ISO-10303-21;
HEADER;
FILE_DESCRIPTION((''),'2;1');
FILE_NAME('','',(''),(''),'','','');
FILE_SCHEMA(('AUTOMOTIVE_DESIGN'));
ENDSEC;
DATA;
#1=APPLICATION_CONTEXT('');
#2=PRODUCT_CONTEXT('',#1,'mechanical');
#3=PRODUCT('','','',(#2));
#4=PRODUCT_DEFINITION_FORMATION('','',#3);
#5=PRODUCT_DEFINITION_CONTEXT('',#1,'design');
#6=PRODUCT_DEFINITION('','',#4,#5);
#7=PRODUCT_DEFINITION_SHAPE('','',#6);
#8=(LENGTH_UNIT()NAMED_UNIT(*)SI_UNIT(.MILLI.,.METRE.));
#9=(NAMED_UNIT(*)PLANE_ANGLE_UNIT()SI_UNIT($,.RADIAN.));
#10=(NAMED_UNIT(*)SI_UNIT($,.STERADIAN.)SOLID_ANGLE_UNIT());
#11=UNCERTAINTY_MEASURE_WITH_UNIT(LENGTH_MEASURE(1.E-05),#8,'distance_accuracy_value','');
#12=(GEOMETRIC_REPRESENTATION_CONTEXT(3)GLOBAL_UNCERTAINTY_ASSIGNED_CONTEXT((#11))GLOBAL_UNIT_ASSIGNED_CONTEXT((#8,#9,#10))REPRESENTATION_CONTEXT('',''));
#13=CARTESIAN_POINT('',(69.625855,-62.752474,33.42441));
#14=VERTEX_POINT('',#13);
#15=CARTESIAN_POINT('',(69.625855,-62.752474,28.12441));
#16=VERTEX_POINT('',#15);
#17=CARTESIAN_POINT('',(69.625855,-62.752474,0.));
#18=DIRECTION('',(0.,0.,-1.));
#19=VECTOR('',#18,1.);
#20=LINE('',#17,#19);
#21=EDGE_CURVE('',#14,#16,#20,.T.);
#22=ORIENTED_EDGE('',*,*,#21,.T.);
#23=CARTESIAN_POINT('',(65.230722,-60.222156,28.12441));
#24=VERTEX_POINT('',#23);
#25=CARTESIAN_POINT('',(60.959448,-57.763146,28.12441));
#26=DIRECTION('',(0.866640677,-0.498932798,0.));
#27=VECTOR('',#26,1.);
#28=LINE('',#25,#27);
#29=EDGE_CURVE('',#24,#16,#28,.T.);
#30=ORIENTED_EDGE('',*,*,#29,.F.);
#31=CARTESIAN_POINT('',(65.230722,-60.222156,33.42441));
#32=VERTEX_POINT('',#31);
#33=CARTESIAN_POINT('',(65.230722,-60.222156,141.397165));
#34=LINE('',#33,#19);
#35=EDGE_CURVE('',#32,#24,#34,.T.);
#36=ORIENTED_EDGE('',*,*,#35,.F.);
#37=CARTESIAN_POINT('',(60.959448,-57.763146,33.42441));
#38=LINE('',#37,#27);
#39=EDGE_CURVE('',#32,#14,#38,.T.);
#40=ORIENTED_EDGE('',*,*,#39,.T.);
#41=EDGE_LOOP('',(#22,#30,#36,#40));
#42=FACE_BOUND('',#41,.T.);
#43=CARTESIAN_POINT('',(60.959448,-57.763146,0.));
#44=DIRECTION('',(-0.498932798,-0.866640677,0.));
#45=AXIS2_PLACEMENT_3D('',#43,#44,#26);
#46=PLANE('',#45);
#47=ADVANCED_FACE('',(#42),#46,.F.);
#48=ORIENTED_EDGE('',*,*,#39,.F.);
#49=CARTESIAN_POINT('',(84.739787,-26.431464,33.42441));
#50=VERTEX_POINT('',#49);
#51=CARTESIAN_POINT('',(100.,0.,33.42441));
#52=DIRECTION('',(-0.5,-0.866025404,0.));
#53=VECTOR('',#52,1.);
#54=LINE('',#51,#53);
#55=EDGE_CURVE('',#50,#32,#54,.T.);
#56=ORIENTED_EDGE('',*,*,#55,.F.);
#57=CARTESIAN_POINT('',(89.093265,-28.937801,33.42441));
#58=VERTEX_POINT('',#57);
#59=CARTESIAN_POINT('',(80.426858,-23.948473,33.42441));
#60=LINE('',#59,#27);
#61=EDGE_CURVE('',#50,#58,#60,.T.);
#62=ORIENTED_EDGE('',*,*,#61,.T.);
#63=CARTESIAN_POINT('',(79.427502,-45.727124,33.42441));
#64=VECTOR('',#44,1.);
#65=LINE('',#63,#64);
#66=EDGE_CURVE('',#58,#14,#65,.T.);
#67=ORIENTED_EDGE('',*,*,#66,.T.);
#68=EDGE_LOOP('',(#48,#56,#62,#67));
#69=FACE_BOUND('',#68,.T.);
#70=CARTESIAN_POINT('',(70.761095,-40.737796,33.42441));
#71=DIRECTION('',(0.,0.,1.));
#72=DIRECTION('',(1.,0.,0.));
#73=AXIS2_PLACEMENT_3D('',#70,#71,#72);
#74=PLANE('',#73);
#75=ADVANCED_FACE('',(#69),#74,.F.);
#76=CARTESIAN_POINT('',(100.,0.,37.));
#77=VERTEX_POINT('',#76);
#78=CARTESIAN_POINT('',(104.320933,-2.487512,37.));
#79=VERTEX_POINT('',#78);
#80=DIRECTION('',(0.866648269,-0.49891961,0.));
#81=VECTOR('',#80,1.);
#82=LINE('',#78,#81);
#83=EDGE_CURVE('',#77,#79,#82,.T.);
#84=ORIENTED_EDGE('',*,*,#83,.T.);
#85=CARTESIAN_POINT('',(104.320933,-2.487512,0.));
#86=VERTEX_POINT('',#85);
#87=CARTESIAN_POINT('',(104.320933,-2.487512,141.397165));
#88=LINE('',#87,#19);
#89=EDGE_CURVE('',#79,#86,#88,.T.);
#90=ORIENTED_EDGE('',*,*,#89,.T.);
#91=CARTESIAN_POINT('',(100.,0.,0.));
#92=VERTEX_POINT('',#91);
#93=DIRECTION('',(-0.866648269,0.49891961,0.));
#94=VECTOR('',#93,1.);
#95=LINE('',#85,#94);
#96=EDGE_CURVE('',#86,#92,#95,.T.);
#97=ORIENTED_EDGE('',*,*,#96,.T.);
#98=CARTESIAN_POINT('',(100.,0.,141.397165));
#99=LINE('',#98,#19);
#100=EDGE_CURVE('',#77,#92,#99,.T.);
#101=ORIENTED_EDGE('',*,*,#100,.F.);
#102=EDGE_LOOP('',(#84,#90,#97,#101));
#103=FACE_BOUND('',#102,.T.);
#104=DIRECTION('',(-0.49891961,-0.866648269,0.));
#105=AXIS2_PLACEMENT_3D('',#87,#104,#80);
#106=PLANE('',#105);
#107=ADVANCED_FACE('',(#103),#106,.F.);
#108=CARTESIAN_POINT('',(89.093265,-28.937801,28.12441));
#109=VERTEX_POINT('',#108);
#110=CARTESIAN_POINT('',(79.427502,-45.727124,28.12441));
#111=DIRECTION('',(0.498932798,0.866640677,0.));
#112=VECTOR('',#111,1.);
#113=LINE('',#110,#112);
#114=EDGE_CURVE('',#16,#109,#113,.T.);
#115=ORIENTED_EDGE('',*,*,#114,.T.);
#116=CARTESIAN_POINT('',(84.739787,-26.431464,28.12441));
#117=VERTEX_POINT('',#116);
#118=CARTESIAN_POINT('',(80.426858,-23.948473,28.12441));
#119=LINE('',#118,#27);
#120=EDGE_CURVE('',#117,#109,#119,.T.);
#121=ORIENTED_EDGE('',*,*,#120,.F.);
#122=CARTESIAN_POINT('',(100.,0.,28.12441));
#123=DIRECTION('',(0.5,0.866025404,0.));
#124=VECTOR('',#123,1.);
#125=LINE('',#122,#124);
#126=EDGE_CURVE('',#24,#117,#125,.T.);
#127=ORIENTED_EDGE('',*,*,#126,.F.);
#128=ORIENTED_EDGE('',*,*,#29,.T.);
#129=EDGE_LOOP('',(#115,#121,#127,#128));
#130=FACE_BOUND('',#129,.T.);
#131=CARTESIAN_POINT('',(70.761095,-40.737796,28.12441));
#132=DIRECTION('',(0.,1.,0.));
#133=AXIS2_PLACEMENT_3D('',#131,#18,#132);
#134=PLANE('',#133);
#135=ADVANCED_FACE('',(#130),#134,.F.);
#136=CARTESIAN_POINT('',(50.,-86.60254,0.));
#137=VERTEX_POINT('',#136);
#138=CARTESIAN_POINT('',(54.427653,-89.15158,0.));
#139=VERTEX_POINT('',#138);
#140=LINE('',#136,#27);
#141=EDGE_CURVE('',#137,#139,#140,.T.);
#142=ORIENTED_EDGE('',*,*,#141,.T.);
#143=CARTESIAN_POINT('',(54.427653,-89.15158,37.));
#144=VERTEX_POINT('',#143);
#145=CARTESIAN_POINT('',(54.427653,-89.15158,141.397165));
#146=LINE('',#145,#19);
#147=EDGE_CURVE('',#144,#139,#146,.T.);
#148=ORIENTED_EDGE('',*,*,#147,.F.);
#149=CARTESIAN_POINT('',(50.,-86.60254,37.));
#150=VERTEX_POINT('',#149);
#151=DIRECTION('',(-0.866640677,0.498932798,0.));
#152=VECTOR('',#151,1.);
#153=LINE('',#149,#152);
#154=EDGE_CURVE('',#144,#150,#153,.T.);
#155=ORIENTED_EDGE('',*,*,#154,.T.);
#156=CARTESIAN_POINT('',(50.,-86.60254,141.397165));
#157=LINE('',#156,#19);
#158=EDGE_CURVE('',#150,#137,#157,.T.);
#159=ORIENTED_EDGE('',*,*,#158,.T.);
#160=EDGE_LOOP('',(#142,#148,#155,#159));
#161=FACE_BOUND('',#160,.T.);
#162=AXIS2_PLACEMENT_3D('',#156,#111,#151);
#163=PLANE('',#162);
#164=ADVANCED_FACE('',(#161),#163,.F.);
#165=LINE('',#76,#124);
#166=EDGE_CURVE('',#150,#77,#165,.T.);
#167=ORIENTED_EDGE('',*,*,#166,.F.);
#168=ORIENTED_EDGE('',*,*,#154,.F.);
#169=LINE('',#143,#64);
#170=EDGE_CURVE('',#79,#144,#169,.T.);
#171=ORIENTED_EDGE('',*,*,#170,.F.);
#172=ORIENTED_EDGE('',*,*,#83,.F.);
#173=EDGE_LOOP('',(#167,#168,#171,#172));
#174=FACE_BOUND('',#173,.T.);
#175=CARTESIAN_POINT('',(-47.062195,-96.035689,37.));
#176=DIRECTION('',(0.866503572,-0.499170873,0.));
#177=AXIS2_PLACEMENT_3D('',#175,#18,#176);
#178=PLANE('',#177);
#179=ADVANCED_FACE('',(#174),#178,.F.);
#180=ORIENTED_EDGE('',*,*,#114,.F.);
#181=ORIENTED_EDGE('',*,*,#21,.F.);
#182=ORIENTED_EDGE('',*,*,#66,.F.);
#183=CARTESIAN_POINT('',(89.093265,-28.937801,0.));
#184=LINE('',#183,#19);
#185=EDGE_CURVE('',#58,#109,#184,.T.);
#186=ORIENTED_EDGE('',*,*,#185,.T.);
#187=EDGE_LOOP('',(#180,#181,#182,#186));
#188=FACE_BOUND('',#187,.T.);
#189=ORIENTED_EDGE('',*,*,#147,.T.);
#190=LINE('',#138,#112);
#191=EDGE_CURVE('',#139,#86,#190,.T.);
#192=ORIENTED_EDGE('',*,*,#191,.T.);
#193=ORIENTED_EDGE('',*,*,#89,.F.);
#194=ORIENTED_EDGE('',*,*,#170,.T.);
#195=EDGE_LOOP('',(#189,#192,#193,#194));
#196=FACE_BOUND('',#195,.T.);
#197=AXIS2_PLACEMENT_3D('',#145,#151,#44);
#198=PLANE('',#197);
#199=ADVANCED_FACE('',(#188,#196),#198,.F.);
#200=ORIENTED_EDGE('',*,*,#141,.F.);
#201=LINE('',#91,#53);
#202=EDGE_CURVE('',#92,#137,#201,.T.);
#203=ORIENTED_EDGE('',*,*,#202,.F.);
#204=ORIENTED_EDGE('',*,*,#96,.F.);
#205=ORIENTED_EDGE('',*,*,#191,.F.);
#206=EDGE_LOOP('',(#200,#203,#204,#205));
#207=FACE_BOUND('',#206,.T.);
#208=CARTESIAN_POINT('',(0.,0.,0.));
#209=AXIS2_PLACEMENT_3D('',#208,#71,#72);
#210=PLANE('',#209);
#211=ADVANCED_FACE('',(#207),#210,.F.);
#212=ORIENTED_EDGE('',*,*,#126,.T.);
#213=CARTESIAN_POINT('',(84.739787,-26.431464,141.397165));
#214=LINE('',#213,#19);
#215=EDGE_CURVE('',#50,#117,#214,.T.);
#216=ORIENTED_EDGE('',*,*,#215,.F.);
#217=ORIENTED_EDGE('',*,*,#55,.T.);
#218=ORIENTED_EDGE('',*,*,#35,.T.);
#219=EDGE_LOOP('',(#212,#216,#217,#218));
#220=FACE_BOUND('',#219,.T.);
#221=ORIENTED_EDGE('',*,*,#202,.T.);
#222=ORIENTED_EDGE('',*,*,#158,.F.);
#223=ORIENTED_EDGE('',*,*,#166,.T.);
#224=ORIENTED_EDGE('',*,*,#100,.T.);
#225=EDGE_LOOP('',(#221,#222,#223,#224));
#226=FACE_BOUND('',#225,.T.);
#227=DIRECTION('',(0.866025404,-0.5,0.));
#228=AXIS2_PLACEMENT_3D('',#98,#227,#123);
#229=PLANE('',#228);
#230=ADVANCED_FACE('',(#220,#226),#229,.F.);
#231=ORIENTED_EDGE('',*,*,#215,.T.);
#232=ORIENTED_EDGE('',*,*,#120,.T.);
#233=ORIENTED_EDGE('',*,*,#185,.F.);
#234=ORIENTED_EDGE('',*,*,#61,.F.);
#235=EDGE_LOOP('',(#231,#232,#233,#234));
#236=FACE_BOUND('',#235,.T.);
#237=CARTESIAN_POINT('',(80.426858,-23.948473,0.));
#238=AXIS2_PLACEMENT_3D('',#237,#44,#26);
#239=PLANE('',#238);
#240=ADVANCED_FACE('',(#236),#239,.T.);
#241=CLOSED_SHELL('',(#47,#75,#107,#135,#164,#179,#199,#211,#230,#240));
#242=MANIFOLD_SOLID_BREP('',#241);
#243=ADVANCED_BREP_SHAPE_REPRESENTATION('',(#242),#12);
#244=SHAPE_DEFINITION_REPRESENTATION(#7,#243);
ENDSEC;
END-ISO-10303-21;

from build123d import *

# Parameters (mm, degrees)
SALIENTE_EXTRUIR1_DEPTH = 37
CROQUIS2_W              = 5.3
CROQUIS2_H              = 39.018100287
CORTAR_EXTRUIR1_DEPTH   = 10


with BuildPart() as part:
    # Croquis1 → Saliente-Extruir1 (new body)
    with BuildSketch(Plane.XY):
        Polygon((49.999999971, -86.602540395), (54.427653304, -89.151580069), (104.320933147, -2.487512391), (100, -3.4e-08), align=None)
    extrude(amount=SALIENTE_EXTRUIR1_DEPTH)

    # Croquis2 → Cortar-Extruir1 (cut)
    with BuildSketch(Plane(origin=(79.427501571, -45.727123931, 0), x_dir=(0, 0, -1), z_dir=(0.866640677, -0.498932798, 0))):
        with Locations((-30.774409531, -0.136173332)):
            Rectangle(CROQUIS2_W, CROQUIS2_H)
    extrude(amount=-CORTAR_EXTRUIR1_DEPTH, mode=Mode.SUBTRACT)


solid = part.part
